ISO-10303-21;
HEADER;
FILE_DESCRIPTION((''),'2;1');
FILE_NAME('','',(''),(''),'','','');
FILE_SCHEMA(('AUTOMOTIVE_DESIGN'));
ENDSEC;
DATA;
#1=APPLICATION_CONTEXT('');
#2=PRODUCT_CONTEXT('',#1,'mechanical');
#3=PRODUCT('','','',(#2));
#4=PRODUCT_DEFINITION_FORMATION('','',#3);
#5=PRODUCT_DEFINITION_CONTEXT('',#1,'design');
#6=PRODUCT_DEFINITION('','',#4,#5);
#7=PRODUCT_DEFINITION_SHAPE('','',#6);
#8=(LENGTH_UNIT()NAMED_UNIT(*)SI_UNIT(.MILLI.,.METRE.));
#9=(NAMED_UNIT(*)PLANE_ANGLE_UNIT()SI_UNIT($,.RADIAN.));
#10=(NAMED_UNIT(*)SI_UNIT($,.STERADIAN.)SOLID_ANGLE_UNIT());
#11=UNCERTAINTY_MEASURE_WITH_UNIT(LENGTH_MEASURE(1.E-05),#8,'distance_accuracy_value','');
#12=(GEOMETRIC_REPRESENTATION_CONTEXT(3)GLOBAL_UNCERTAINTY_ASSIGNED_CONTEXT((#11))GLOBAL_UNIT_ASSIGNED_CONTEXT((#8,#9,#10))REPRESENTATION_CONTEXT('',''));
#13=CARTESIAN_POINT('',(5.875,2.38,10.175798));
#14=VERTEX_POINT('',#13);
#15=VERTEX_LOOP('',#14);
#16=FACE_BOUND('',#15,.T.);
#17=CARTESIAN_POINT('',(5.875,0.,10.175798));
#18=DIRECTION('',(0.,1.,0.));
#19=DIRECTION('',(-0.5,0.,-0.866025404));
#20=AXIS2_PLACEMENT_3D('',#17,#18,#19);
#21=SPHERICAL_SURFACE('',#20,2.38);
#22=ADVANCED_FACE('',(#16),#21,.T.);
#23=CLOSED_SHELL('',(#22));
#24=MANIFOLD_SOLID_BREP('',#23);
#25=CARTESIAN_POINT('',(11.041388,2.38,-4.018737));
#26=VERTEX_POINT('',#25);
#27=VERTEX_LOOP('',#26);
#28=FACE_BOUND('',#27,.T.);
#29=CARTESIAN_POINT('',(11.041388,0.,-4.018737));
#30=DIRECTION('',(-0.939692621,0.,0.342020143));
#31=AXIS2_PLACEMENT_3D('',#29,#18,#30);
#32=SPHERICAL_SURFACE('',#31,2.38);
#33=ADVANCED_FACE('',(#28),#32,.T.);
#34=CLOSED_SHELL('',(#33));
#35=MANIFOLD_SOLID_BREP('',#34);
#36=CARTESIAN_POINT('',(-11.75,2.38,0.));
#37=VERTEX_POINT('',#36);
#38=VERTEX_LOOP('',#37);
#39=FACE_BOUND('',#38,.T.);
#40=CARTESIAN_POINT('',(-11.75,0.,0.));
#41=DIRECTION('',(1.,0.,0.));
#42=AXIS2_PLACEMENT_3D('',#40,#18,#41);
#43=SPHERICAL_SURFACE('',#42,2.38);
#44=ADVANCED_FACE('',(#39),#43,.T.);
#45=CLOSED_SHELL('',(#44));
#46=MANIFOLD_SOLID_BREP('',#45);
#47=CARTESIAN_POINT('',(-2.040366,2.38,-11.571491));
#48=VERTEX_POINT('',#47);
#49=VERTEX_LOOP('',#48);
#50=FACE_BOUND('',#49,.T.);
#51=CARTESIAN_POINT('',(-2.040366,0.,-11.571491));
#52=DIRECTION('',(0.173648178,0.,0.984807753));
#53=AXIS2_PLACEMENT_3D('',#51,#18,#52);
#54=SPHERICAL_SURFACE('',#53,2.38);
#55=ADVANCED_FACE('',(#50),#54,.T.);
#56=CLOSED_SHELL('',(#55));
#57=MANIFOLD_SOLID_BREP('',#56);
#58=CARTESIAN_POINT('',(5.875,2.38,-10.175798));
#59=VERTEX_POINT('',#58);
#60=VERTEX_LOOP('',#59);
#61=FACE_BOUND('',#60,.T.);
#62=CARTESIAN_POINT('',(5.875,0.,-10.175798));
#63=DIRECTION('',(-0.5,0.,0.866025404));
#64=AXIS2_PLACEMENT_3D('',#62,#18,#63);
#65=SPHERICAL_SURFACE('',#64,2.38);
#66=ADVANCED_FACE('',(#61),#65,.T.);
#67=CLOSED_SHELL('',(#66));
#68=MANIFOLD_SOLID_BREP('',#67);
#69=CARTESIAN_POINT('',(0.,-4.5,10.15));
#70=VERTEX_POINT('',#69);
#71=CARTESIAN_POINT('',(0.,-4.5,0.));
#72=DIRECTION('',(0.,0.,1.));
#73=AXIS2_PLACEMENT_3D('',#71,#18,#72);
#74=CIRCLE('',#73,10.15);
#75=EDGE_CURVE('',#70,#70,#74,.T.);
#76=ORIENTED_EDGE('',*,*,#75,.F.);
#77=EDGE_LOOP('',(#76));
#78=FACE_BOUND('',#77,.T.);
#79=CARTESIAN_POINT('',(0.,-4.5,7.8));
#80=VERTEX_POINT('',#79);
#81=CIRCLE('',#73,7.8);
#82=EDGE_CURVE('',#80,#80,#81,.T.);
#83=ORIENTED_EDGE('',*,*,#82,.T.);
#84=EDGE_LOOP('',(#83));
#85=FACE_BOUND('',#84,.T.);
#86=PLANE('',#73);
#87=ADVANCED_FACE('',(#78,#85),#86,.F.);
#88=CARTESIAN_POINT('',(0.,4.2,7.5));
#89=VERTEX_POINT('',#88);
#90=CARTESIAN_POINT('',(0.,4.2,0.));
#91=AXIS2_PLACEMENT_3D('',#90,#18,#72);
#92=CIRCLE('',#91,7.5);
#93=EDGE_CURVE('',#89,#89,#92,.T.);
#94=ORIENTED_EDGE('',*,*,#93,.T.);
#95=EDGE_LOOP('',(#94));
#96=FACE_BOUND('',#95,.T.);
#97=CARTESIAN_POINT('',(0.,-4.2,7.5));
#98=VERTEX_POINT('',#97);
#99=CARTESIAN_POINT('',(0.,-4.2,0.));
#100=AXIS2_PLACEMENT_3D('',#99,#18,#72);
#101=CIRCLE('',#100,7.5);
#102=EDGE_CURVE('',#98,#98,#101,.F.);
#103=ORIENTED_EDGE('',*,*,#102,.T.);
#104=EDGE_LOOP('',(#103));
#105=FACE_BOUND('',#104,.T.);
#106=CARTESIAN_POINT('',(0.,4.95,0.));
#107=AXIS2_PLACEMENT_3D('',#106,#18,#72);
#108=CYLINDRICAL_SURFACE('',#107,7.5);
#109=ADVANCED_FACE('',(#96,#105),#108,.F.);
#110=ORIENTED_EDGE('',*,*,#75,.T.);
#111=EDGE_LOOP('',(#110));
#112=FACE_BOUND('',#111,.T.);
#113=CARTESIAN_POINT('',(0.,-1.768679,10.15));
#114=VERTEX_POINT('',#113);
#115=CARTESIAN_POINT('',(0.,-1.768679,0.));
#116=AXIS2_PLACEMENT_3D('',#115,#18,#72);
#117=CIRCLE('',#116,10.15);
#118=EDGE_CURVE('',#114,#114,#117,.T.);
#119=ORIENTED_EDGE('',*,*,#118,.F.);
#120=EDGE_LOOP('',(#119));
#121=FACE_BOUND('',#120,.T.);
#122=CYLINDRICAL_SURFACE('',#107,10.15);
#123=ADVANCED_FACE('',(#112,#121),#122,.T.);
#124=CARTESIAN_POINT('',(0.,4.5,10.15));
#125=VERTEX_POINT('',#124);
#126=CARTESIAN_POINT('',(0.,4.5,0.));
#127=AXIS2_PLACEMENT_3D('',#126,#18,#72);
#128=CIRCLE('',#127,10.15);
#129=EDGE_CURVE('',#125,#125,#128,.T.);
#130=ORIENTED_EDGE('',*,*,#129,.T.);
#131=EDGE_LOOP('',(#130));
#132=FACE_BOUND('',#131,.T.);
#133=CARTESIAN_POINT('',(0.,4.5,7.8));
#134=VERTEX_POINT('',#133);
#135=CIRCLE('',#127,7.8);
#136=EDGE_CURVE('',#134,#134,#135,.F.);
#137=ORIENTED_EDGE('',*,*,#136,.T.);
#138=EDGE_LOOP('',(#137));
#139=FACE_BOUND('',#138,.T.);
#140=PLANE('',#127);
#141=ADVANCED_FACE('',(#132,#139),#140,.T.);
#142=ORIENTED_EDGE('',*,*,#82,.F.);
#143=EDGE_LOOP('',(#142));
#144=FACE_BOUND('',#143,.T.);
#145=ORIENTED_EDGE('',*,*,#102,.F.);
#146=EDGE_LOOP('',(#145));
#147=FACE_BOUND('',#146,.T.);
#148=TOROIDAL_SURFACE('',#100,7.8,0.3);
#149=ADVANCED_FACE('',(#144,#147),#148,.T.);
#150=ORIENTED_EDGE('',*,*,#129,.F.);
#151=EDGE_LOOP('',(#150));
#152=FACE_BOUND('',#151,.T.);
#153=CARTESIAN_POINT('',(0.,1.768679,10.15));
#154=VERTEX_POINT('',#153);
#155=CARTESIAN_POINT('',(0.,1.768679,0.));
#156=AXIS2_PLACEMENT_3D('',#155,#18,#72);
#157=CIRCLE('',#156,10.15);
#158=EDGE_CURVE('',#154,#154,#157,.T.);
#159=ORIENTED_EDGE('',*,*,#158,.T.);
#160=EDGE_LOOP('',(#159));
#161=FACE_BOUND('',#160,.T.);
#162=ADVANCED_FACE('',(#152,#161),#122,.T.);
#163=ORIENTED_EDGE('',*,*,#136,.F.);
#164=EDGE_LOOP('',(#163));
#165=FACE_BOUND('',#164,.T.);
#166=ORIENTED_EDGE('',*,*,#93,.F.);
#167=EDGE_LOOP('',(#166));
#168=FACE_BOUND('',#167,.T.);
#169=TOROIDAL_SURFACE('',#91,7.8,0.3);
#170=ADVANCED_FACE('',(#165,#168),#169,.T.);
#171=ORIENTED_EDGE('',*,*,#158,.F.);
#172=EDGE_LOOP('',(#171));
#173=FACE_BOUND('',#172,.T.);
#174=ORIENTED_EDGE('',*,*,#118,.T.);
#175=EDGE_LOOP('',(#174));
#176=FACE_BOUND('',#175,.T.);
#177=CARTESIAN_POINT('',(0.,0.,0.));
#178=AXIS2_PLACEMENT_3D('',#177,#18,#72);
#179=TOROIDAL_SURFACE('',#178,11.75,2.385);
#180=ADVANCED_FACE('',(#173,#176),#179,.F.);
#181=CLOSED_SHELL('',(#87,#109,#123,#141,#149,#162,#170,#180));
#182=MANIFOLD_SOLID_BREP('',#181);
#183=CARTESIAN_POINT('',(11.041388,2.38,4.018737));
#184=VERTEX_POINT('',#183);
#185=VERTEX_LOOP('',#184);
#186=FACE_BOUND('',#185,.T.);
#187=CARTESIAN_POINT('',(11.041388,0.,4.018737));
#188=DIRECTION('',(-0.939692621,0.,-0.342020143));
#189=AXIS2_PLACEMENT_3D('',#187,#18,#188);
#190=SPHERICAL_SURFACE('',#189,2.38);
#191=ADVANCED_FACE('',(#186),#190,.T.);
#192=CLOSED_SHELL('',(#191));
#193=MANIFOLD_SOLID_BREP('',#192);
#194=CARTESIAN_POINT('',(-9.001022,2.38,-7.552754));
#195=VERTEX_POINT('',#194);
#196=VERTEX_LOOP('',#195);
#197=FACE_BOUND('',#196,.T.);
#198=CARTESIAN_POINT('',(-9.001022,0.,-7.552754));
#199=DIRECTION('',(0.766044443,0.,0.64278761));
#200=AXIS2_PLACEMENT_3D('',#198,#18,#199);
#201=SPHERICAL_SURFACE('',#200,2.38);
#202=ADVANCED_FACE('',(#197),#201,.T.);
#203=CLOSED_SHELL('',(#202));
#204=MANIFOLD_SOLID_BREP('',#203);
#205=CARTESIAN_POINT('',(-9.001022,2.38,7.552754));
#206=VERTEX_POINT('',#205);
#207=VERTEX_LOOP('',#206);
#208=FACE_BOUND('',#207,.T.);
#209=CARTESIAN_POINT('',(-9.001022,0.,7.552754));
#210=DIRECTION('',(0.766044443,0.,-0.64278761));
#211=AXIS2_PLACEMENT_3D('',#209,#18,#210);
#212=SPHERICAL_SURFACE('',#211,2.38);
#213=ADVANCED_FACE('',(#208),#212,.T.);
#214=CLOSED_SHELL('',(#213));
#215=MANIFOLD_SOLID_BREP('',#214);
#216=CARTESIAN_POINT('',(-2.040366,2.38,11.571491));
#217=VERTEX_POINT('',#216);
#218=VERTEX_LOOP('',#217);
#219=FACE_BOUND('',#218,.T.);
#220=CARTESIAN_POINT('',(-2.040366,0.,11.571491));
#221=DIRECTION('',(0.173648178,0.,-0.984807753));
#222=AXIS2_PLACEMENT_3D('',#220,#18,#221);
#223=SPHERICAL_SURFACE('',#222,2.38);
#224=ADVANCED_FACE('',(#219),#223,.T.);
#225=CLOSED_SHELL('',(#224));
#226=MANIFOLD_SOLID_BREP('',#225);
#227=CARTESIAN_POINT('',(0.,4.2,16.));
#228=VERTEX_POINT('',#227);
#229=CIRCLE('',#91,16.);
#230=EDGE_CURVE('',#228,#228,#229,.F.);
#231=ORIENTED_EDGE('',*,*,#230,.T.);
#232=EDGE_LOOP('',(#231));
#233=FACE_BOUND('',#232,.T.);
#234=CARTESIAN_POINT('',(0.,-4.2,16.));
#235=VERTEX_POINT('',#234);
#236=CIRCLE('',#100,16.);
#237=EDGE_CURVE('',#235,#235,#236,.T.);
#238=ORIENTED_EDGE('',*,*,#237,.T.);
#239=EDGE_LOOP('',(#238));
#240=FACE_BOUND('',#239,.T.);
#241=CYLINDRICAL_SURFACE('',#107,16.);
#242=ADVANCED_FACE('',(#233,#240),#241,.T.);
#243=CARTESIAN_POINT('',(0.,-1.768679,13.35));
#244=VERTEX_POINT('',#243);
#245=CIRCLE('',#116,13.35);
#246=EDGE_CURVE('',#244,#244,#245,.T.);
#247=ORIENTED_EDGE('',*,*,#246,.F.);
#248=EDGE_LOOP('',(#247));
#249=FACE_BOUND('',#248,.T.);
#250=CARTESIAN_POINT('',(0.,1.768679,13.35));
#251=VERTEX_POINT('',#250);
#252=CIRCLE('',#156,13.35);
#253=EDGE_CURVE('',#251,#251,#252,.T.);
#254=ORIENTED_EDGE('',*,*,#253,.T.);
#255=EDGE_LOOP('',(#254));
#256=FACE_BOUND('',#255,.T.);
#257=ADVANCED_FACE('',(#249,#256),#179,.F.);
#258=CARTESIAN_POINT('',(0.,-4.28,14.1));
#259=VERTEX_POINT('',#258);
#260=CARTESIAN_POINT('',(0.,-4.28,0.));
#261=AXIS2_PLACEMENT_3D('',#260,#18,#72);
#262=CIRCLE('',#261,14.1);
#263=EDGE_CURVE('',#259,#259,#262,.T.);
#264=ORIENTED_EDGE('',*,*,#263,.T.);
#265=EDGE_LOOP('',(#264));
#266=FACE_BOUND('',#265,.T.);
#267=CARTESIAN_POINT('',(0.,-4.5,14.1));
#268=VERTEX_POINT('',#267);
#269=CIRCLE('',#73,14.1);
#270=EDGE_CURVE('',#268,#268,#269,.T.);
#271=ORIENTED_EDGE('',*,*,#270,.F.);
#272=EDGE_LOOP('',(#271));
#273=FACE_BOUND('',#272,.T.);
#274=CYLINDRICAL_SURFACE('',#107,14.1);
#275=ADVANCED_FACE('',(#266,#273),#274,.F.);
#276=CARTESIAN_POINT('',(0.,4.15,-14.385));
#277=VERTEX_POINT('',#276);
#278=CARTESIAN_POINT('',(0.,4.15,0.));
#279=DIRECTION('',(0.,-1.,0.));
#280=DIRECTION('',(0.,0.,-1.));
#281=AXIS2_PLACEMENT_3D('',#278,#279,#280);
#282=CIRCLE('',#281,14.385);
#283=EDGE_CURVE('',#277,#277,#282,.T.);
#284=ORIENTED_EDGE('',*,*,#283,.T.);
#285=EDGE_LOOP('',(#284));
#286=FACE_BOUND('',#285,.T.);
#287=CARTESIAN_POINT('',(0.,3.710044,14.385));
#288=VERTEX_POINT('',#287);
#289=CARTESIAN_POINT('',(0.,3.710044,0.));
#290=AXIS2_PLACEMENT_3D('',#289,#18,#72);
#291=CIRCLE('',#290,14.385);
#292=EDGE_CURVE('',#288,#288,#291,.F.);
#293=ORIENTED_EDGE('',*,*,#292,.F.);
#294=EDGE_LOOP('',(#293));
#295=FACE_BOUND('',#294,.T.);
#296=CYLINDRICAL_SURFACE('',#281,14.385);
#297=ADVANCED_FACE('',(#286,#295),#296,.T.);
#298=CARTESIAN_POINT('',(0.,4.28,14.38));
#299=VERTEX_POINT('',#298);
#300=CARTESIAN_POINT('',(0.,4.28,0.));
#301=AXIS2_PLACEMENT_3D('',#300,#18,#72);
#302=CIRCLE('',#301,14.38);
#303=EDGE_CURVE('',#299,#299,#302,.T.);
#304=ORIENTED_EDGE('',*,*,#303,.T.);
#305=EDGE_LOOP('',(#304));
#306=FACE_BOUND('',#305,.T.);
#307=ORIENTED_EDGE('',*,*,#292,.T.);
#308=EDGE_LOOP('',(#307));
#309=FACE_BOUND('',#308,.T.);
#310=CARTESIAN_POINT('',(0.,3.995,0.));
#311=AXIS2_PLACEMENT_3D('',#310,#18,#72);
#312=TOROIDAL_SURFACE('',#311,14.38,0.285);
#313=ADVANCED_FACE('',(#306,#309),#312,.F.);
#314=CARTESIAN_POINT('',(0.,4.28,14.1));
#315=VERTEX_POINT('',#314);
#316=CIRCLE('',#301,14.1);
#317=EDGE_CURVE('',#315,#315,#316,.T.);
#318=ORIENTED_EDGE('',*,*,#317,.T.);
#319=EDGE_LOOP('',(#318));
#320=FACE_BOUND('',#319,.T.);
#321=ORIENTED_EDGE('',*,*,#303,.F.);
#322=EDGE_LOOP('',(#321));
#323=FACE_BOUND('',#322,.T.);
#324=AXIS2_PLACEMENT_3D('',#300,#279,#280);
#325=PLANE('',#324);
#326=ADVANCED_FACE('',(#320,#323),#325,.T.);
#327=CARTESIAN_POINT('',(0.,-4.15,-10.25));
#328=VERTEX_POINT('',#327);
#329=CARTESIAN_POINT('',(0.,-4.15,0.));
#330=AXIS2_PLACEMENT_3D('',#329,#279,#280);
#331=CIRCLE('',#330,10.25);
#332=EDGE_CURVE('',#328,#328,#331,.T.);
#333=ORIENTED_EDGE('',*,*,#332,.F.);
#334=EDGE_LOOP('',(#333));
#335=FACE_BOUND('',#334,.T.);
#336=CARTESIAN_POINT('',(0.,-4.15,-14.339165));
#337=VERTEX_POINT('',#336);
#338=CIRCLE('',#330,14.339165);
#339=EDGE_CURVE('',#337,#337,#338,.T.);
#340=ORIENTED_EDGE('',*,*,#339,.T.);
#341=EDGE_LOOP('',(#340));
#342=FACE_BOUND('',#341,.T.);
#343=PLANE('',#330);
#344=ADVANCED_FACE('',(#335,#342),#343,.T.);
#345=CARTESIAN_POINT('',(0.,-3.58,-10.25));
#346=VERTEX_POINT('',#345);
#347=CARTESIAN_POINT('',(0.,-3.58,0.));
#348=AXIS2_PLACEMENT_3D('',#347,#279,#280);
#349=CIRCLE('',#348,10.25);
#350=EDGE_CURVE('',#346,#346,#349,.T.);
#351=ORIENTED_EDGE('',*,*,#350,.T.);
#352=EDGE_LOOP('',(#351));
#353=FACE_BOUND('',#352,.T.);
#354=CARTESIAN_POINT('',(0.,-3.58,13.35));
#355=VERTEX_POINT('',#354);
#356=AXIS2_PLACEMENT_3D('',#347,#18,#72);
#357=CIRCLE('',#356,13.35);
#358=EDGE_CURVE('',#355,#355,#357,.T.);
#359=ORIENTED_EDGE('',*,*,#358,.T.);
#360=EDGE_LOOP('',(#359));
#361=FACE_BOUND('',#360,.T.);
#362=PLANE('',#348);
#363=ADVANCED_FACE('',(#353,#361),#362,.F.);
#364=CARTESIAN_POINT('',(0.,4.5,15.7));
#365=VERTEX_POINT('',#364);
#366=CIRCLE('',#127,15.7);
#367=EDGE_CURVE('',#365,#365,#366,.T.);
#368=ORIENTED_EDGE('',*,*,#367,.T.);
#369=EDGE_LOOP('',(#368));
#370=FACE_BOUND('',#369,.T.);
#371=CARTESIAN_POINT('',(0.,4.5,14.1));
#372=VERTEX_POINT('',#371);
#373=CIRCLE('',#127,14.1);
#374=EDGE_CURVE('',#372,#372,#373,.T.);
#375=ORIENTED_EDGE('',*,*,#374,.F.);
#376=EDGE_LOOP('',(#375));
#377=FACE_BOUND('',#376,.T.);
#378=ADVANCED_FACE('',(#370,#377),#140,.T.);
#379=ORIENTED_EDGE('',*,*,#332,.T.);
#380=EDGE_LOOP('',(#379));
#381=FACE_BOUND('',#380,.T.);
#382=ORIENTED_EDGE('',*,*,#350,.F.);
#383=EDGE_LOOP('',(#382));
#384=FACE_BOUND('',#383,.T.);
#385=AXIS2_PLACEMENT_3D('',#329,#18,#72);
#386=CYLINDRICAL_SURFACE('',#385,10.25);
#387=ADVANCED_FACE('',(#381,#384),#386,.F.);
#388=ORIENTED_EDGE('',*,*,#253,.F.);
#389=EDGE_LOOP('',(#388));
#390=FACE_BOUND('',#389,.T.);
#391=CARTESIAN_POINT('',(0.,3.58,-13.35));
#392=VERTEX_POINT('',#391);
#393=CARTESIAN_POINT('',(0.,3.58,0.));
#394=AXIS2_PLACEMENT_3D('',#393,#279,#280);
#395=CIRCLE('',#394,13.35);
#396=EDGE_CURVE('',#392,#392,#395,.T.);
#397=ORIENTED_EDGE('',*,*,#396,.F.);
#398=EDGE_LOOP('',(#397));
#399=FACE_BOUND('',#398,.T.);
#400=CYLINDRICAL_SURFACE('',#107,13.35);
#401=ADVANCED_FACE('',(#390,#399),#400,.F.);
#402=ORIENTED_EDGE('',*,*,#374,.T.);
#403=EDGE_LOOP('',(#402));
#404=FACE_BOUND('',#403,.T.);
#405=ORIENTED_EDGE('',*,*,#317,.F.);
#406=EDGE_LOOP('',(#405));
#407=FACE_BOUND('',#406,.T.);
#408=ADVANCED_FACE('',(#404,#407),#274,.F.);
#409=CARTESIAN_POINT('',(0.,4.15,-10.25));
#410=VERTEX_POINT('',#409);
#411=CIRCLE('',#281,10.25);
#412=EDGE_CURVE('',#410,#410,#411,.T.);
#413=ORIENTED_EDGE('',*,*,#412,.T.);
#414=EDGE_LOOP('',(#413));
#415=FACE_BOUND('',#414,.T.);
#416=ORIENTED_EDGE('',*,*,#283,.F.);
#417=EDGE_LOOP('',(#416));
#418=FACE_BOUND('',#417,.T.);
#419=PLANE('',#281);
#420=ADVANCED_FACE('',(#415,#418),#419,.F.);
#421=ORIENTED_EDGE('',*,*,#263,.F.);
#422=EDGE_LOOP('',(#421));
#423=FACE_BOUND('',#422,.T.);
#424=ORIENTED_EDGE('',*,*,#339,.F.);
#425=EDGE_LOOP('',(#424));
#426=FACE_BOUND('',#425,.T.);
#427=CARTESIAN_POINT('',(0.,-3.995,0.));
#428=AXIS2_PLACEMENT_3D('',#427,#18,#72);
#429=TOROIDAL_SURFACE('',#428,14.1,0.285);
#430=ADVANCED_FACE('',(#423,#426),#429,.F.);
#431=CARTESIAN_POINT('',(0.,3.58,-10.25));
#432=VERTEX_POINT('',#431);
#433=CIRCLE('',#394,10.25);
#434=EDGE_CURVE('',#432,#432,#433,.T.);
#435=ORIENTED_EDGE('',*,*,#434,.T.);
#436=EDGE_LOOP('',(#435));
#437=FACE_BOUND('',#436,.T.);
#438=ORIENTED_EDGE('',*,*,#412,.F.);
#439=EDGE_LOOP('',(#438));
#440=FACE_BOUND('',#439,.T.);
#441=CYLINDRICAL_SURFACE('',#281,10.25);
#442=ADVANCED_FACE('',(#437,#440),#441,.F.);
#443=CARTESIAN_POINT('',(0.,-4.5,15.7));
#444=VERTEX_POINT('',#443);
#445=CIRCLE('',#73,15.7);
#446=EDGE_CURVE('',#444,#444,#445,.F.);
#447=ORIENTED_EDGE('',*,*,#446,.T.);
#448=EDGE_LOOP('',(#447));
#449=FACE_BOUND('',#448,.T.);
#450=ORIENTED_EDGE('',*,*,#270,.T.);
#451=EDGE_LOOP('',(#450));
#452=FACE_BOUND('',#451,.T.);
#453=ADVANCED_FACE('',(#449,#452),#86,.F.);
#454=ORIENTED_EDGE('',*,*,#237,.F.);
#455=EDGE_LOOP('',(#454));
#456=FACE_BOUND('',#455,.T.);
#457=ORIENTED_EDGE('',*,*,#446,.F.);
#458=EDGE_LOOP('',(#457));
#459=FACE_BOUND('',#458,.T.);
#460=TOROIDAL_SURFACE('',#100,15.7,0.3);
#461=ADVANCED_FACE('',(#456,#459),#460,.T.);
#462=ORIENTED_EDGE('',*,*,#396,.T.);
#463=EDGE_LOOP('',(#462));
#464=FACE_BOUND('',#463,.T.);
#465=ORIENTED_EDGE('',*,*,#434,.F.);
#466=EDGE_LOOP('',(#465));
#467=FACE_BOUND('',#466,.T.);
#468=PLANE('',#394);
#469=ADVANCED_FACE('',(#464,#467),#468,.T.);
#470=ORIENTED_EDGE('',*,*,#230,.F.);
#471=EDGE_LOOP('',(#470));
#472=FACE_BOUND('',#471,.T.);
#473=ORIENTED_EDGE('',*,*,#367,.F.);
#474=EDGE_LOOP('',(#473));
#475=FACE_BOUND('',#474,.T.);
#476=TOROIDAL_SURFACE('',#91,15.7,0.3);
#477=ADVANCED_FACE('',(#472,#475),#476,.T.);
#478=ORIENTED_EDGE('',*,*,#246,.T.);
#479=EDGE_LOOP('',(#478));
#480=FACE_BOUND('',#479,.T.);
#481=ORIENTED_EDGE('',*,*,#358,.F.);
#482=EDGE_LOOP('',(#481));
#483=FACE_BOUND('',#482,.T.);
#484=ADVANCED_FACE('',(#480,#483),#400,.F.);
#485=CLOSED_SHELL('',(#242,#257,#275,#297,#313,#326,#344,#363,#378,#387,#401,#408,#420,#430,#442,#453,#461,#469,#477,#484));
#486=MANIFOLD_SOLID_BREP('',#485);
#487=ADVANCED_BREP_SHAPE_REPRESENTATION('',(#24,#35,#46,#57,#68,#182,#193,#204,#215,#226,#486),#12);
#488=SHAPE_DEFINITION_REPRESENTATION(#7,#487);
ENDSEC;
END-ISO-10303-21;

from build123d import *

# Parameters (mm, degrees)
CIRPATTERN1_COUNT   = 9
FILLET1_R           = 0.3
FILLET2_R           = 0.3
SKETCH3_R           = 14.385
SKETCH3_R_2         = 10.25
BOSS_EXTRUDE4_DEPTH = 0.57
SKETCH6_R           = 14.385
SKETCH6_R_2         = 10.25
BOSS_EXTRUDE6_DEPTH = 0.57


with BuildPart() as part:
    # Sketch2 → Revolve1 (revolve)
    with BuildSketch(Plane.XY):
        with BuildLine():
            Line((-11.75, 2.38), (-11.75, -2.38))
            ThreePointArc((-11.75, -2.38), (-9.37, 0), (-11.75, 2.38))
        make_face()
    revolve(axis=Axis((-11.75, 2.38, 0), (0, -1, 0)))


with BuildPart() as body_2:
    # Sketch1 → Revolve2 (revolve)
    with BuildSketch(Plane.XY, mode=Mode.PRIVATE) as revolve2_sk:
        with BuildLine():
            ThreePointArc((-10.15, -1.768678885), (-9.365, 0), (-10.15, 1.768678885))
            Line((-10.15, 1.768678885), (-10.15, 4.5))
            Line((-10.15, 4.5), (-7.5, 4.5))
            Line((-7.5, 4.5), (-7.5, -4.5))
            Line((-7.5, -4.5), (-10.15, -4.5))
            Line((-10.15, -4.5), (-10.15, -1.768678885))
        make_face()
        with BuildLine():
            Line((-14.1, -4.28), (-14.1, -4.5))
            Line((-14.1, -4.5), (-16, -4.5))
            Line((-16, -4.5), (-16, 4.5))
            Line((-16, 4.5), (-14.1, 4.5))
            Line((-14.1, 4.5), (-14.1, 4.28))
            Line((-14.1, 4.28), (-14.38, 4.28))
            ThreePointArc((-14.38, 4.28), (-14.665, 3.995), (-14.38, 3.71))
            Line((-14.38, 3.71), (-13.35, 3.58))
            Line((-13.35, 3.58), (-13.35, 1.768678885))
            ThreePointArc((-13.35, 1.768678885), (-14.135, 0), (-13.35, -1.768678885))
            Line((-13.35, -1.768678885), (-13.35, -3.58))
            Line((-13.35, -3.58), (-14.1, -3.71))
            ThreePointArc((-14.1, -3.71), (-14.385, -3.995), (-14.1, -4.28))
        make_face()
    revolve(revolve2_sk.sketch.rotate(Axis((0, 4.95, 0), (0, -1, 0)), 270), axis=Axis((0, 4.95, 0), (0, -1, 0)))

    # Fillet1
    fillet1_edges = [body_2.edges().sort_by_distance(p)[0] for p in [
        (0, -4.5, -16),
        (0, 4.5, -16),
    ]]
    fillet(fillet1_edges, radius=FILLET1_R)

    # Fillet2
    fillet2_edges = [body_2.edges().sort_by_distance(p)[0] for p in [
        (0, 4.5, -7.5),
        (0, -4.5, -7.5),
    ]]
    fillet(fillet2_edges, radius=FILLET2_R)

    # Sketch3 → Boss-Extrude4 (add)
    with BuildSketch(Plane(origin=(0, 3.58, 0), x_dir=(-1, 0, 0), z_dir=(0, -1, 0))):
        with Locations(Location((0, 0, 0), (0, 0, 90))):
            Circle(SKETCH3_R)
        with Locations(Location((0, 0, 0), (0, 0, 90))):
            Circle(SKETCH3_R_2, mode=Mode.SUBTRACT)
    extrude(amount=-BOSS_EXTRUDE4_DEPTH)

    # Sketch6 → Boss-Extrude6 (add)
    with BuildSketch(Plane(origin=(0, -3.58, 0), x_dir=(-1, 0, 0), z_dir=(0, -1, 0))):
        with Locations(Location((0, 0, 0), (0, 0, 90))):
            Circle(SKETCH6_R)
        with Locations(Location((0, 0, 0), (0, 0, 90))):
            Circle(SKETCH6_R_2, mode=Mode.SUBTRACT)
    extrude(amount=BOSS_EXTRUDE6_DEPTH)


with BuildPart() as cirpattern1_1:
    # CirPattern1: pattern copy
    add(part.part.rotate(Axis((0, 0, 0), (0, 1, 0)), 1 * 360 / CIRPATTERN1_COUNT))


with BuildPart() as cirpattern1_2:
    # CirPattern1: pattern copy
    add(part.part.rotate(Axis((0, 0, 0), (0, 1, 0)), 2 * 360 / CIRPATTERN1_COUNT))


with BuildPart() as cirpattern1_3:
    # CirPattern1: pattern copy
    add(part.part.rotate(Axis((0, 0, 0), (0, 1, 0)), 3 * 360 / CIRPATTERN1_COUNT))


with BuildPart() as cirpattern1_4:
    # CirPattern1: pattern copy
    add(part.part.rotate(Axis((0, 0, 0), (0, 1, 0)), 4 * 360 / CIRPATTERN1_COUNT))


with BuildPart() as cirpattern1_5:
    # CirPattern1: pattern copy
    add(part.part.rotate(Axis((0, 0, 0), (0, 1, 0)), 5 * 360 / CIRPATTERN1_COUNT))


with BuildPart() as cirpattern1_6:
    # CirPattern1: pattern copy
    add(part.part.rotate(Axis((0, 0, 0), (0, 1, 0)), 6 * 360 / CIRPATTERN1_COUNT))


with BuildPart() as cirpattern1_7:
    # CirPattern1: pattern copy
    add(part.part.rotate(Axis((0, 0, 0), (0, 1, 0)), 7 * 360 / CIRPATTERN1_COUNT))


with BuildPart() as cirpattern1_8:
    # CirPattern1: pattern copy
    add(part.part.rotate(Axis((0, 0, 0), (0, 1, 0)), 8 * 360 / CIRPATTERN1_COUNT))


solid = Compound([part.part, body_2.part, cirpattern1_1.part, cirpattern1_2.part, cirpattern1_3.part, cirpattern1_4.part, cirpattern1_5.part, cirpattern1_6.part, cirpattern1_7.part, cirpattern1_8.part])
